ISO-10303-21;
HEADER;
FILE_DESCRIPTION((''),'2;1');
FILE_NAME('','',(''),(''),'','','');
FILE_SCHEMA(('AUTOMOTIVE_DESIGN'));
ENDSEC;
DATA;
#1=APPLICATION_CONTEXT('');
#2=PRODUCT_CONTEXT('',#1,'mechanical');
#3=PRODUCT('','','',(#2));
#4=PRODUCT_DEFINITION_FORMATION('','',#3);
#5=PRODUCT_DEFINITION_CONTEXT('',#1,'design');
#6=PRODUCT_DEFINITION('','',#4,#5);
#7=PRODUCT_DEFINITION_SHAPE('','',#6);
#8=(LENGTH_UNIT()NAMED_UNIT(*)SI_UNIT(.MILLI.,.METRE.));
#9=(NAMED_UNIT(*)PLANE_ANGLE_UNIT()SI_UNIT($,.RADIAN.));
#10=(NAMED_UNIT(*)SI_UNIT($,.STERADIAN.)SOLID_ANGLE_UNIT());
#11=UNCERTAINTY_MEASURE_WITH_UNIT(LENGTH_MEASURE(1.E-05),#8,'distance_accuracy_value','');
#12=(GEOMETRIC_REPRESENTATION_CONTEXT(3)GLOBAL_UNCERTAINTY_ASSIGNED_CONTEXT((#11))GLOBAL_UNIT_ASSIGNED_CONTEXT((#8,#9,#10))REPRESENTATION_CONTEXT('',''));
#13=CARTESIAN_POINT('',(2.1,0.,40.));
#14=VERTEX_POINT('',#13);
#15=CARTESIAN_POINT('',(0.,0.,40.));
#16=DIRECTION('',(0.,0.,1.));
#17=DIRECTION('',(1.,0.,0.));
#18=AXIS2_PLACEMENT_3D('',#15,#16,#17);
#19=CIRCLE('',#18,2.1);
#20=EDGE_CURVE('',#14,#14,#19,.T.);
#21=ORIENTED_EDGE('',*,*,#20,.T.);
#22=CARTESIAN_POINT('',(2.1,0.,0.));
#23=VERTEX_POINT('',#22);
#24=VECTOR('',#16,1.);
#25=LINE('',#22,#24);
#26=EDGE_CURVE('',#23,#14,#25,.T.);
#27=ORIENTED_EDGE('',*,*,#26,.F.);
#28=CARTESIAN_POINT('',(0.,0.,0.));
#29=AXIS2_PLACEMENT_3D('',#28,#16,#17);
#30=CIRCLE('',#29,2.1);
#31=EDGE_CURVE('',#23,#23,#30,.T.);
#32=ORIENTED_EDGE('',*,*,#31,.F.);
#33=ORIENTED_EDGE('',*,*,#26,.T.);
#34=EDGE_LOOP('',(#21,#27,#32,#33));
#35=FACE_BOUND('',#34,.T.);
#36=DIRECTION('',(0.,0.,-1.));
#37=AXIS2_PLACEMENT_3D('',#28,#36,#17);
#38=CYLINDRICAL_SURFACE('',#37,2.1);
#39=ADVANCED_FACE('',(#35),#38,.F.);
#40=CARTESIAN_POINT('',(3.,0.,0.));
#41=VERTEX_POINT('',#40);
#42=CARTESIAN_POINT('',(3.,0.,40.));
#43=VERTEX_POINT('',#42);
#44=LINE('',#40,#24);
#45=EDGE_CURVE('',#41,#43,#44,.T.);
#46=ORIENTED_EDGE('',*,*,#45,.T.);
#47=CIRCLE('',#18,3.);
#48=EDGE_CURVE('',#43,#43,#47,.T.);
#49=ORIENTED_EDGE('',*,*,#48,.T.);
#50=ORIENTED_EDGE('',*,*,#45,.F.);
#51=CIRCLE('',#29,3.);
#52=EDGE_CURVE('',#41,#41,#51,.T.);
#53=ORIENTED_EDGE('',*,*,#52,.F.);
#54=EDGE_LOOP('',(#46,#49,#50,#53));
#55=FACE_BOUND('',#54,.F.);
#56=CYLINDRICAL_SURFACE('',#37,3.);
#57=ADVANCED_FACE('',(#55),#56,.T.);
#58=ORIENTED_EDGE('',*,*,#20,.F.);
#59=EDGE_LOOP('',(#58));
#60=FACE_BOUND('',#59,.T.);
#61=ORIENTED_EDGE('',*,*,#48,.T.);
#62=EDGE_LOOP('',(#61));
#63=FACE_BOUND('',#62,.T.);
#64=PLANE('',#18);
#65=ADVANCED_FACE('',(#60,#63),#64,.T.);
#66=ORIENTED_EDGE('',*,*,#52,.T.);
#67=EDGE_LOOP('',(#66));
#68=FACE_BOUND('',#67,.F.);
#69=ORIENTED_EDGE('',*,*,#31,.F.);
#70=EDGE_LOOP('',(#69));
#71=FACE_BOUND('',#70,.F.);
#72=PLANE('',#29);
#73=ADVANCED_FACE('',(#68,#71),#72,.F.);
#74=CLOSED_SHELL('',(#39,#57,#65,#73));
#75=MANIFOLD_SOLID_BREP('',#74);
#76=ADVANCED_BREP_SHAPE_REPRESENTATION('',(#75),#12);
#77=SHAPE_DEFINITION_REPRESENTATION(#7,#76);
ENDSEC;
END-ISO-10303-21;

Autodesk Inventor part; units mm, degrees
ref_plane "YZ Plane" through (0, 0, 0) normal (1, 0, 0) x (0, 1, 0)
ref_plane "XZ Plane" through (0, 0, 0) normal (0, 1, 0) x (-1, 0, 0)
ref_plane "XY Plane" through (0, 0, 0) normal (0, 0, 1) x (1, 0, 0)
sketch "Sketch1" plane through (0, 0, 0) normal (0, 0, 1) x (1, 0, 0)
  circle A0 centre (0, 0) radius 2.1
  circle A1 centre (0, 0) radius 3
  dimension "d0" = 4.2
  dimension "d1" = 6
extrude "Extrusion1" add sketch "Sketch1" along normal blind 40
properties part number "spacer_40"
